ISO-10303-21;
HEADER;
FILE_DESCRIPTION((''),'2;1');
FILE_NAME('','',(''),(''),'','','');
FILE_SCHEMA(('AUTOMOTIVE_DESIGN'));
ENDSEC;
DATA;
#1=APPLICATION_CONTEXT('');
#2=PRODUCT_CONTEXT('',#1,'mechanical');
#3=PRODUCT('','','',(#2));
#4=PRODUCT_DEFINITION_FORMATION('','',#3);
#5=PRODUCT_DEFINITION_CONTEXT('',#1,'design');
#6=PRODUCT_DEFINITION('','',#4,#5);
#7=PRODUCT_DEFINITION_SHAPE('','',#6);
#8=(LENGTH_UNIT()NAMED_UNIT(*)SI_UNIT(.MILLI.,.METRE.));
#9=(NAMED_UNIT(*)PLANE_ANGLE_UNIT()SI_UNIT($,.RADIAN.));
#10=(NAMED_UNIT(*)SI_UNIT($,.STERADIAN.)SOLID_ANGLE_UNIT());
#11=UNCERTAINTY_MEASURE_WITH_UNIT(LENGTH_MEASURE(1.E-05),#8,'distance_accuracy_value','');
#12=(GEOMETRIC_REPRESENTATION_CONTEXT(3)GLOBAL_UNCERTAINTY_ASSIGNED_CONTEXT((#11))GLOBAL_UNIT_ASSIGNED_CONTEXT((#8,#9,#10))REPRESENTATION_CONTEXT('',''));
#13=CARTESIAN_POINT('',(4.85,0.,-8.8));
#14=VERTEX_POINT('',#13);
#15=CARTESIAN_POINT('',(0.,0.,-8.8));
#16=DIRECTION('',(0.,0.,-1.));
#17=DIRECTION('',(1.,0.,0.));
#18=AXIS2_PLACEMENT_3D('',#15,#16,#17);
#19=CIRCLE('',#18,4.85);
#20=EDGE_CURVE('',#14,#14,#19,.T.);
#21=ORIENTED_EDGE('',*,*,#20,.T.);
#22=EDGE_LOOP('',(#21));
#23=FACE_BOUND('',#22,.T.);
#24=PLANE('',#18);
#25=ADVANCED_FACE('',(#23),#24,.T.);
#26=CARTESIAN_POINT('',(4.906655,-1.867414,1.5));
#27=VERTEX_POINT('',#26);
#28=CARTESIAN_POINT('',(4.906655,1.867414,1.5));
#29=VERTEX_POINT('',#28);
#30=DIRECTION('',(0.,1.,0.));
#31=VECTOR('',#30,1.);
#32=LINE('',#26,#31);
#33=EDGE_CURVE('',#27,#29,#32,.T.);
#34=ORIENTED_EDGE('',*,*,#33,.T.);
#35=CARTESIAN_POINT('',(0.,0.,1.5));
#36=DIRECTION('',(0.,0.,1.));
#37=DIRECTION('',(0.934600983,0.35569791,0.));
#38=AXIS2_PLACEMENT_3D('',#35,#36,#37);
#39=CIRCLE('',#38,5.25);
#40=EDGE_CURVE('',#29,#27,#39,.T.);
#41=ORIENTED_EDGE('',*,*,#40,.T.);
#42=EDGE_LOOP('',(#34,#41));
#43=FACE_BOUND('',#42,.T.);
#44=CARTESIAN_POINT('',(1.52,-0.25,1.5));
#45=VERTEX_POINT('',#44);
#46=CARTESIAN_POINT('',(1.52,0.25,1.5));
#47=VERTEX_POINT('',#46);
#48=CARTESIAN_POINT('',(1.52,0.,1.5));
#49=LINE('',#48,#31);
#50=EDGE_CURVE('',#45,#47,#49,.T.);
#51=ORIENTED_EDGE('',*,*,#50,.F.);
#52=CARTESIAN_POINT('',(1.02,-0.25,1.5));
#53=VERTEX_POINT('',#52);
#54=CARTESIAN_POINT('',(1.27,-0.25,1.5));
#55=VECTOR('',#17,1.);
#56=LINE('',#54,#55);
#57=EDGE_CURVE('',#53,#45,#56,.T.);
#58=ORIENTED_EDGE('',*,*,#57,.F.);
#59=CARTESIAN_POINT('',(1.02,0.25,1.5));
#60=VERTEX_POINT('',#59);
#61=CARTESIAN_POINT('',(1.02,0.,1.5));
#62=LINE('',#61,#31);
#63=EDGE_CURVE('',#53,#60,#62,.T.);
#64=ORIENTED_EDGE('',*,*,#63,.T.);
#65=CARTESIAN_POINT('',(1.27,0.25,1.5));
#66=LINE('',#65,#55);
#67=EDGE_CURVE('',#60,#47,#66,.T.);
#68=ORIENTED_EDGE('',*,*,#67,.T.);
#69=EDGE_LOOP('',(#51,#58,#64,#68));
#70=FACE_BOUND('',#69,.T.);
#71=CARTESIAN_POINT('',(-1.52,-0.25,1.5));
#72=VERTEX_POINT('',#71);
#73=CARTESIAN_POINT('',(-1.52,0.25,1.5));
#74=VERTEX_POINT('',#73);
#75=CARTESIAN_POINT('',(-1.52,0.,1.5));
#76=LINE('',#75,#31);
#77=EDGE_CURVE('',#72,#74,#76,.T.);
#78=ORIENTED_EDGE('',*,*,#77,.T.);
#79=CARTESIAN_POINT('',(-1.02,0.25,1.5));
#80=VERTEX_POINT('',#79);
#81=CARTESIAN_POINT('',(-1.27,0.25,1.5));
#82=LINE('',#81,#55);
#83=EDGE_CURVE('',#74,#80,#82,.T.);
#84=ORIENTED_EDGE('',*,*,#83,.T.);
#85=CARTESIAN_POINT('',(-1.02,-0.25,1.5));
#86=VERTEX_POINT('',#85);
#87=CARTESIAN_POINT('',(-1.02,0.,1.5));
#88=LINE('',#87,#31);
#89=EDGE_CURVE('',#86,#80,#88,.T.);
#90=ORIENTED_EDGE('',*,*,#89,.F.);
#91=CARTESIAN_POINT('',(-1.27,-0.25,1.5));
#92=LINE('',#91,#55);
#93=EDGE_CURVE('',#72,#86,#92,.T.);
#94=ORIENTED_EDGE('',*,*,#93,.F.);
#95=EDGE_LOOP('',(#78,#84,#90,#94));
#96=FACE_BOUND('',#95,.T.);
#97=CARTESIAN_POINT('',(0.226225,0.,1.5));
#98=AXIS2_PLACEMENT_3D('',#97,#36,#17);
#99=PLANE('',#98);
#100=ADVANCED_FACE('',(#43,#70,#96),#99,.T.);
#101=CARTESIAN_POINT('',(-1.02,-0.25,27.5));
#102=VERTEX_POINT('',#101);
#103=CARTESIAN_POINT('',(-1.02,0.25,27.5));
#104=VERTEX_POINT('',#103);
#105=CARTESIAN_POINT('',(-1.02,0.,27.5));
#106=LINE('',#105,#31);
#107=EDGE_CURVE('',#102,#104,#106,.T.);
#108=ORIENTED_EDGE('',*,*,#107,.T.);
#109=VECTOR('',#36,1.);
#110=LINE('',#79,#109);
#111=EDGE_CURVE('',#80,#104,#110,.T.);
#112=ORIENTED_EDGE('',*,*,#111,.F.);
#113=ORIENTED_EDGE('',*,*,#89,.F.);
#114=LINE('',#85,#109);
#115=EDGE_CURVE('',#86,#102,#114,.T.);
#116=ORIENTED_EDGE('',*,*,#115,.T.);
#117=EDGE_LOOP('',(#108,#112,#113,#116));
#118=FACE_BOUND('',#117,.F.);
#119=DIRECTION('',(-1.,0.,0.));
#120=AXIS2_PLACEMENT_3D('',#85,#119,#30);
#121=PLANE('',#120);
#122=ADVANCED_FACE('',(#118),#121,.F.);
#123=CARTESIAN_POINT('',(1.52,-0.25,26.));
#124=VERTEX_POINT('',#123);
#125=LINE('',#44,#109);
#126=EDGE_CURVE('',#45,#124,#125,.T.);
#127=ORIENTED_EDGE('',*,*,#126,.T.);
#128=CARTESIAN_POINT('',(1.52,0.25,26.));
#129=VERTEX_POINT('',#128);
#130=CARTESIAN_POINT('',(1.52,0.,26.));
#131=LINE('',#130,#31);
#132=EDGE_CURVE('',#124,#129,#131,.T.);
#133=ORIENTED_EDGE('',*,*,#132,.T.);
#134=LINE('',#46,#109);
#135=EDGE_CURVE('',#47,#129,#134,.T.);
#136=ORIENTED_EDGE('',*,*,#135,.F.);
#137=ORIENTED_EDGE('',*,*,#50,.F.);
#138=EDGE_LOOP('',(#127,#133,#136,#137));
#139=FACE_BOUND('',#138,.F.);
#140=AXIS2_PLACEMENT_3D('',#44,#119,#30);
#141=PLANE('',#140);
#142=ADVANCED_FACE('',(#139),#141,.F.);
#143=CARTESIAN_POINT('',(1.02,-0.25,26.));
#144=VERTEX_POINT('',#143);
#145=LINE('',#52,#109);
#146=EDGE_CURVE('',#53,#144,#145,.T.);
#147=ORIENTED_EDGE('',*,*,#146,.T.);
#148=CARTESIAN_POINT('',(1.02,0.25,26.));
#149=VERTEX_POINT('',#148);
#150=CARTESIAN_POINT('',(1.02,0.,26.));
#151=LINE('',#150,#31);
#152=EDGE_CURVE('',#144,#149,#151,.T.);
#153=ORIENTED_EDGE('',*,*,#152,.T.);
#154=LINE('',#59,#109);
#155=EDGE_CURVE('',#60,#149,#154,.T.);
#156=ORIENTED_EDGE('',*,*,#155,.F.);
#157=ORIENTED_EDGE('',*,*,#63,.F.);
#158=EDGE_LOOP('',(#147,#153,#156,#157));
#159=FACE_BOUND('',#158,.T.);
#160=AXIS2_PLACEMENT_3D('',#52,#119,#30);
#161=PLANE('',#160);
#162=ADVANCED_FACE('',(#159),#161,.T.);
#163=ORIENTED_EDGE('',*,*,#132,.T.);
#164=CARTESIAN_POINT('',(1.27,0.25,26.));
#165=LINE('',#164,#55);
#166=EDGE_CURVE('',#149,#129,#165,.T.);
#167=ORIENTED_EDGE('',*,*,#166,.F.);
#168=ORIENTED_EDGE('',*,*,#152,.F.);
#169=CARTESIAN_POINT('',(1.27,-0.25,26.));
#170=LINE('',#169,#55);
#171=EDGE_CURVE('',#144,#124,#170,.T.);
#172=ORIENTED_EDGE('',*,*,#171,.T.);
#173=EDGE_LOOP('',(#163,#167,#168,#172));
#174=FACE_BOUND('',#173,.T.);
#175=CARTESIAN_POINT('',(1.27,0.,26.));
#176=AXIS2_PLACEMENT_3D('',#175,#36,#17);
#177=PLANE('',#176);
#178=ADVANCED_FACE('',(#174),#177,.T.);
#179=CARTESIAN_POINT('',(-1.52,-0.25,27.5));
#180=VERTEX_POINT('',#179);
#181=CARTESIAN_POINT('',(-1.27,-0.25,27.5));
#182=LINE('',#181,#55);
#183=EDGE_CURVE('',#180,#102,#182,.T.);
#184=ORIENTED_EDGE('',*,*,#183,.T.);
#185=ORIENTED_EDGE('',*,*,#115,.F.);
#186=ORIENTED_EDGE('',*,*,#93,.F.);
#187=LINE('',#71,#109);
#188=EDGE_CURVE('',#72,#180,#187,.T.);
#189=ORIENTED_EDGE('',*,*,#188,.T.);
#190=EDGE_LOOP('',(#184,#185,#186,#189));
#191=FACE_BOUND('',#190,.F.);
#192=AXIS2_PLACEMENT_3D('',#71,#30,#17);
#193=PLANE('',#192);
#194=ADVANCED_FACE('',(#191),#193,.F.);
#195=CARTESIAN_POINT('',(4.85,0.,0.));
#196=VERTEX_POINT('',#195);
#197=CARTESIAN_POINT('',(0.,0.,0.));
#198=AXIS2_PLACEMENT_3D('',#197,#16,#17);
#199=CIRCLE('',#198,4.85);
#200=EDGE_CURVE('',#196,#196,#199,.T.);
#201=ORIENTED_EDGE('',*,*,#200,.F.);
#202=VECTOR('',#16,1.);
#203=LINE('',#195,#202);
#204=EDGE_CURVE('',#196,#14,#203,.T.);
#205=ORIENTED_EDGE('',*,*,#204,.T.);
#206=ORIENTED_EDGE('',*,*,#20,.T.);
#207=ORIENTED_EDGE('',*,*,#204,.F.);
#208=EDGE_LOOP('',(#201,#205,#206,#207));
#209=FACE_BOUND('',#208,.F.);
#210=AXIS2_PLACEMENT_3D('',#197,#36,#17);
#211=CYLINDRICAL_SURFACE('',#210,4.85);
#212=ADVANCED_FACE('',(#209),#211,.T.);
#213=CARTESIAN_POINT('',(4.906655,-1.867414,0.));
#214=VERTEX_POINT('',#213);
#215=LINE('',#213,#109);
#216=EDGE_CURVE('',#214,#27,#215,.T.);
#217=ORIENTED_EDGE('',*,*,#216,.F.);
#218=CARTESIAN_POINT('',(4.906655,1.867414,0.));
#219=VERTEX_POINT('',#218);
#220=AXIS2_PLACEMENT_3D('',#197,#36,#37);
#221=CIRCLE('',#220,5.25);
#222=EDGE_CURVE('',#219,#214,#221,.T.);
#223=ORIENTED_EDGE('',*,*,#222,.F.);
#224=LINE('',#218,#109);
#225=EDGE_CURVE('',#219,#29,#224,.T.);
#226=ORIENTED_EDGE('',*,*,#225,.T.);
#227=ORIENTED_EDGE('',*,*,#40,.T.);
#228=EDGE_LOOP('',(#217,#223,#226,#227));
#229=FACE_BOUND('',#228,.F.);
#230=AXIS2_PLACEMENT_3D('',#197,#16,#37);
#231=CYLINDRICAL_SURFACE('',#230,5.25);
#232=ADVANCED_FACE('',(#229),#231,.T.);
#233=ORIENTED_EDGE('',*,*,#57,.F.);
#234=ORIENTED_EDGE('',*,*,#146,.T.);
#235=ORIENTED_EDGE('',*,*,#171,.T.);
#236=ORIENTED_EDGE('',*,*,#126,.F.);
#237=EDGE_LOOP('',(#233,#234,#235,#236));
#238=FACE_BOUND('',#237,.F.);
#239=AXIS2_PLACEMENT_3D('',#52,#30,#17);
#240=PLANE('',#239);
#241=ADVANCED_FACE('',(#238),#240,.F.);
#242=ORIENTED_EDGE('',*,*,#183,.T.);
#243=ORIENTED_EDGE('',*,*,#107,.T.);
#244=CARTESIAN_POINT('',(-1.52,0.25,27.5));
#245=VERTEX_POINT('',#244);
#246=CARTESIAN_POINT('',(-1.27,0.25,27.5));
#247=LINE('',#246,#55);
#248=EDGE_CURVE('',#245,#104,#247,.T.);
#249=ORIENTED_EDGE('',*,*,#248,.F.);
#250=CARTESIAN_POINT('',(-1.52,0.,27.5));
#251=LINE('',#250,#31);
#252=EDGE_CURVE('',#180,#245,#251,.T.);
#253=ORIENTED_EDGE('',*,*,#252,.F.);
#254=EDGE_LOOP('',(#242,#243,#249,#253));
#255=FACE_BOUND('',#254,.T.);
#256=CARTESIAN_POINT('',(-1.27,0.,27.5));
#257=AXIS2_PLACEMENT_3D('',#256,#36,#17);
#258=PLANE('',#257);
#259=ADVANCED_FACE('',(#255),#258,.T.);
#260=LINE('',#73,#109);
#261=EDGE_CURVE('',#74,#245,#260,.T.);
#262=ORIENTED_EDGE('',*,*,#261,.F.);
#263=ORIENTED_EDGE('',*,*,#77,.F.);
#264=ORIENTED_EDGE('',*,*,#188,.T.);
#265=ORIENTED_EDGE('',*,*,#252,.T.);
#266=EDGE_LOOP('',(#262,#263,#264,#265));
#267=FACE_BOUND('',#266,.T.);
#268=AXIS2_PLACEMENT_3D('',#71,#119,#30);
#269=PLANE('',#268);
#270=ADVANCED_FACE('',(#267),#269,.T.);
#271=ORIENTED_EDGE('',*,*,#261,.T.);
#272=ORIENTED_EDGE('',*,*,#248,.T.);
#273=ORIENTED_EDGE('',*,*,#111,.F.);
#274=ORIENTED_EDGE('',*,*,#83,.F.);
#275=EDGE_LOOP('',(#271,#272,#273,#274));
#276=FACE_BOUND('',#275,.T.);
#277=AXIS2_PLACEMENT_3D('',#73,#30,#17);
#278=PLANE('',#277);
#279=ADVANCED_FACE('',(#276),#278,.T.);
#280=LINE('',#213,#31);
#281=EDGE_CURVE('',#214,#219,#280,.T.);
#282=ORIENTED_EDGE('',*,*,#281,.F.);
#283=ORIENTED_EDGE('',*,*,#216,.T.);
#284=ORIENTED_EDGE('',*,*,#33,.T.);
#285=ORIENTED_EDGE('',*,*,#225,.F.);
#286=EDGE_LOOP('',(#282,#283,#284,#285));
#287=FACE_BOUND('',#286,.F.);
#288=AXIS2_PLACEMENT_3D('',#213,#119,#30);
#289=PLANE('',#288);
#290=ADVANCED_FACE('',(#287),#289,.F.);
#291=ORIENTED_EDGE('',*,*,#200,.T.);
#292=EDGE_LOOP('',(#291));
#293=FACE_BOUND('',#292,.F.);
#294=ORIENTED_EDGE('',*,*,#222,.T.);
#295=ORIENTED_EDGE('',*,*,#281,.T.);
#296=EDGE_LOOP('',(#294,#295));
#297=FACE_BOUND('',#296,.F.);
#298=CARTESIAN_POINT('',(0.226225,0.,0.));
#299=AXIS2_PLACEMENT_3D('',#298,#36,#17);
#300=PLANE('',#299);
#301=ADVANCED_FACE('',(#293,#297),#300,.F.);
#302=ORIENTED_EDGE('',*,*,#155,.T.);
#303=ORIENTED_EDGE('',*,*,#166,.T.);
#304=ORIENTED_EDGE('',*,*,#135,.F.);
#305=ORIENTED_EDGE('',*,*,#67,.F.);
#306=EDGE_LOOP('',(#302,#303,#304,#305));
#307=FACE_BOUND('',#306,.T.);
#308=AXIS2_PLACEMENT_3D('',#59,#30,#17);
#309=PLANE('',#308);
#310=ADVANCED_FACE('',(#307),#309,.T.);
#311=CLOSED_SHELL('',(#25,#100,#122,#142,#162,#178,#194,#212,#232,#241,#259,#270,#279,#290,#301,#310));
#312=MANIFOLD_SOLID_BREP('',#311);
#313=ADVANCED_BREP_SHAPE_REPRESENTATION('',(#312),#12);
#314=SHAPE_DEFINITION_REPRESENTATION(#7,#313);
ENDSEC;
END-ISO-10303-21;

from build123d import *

# Parameters (mm, degrees)
PAD_DEPTH    = 1.5
SKETCH001_R  = 4.85
PAD001_DEPTH = 8.8
SKETCH002_W  = 0.5
SKETCH002_H  = 0.5
PAD002_DEPTH = 26
SKETCH003_W  = 0.5
SKETCH003_H  = 0.5
PAD003_DEPTH = 24.5


with BuildPart() as part:
    # Sketch → Pad (new body)
    with BuildSketch(Plane.XY):
        with BuildLine():
            ThreePointArc((4.906655, 1.867414), (-5.25, 0), (4.906655, -1.867414))
            Line((4.906655, -1.867414), (4.906655, 1.867414))
        make_face()
    extrude(amount=PAD_DEPTH)

    # Sketch001 (on Face3 of Pad) → Pad001 (join)
    with BuildSketch(Plane(origin=(0, 0, 0), x_dir=(1, 0, 0), z_dir=(0, 0, -1))):
        Circle(SKETCH001_R)
    extrude(amount=PAD001_DEPTH)

    # Sketch002 (on Face4 of Pad001) → Pad002 (join)
    with BuildSketch(Plane.XY.offset(1.5)):
        with Locations((-1.27, 0)):
            Rectangle(SKETCH002_W, SKETCH002_H)
    extrude(amount=PAD002_DEPTH)

    # Sketch003 (on Face4 of Pad001) → Pad003 (join)
    with BuildSketch(Plane.XY.offset(1.5)):
        with Locations((1.27, 0)):
            Rectangle(SKETCH003_W, SKETCH003_H)
    extrude(amount=PAD003_DEPTH)


solid = part.part
